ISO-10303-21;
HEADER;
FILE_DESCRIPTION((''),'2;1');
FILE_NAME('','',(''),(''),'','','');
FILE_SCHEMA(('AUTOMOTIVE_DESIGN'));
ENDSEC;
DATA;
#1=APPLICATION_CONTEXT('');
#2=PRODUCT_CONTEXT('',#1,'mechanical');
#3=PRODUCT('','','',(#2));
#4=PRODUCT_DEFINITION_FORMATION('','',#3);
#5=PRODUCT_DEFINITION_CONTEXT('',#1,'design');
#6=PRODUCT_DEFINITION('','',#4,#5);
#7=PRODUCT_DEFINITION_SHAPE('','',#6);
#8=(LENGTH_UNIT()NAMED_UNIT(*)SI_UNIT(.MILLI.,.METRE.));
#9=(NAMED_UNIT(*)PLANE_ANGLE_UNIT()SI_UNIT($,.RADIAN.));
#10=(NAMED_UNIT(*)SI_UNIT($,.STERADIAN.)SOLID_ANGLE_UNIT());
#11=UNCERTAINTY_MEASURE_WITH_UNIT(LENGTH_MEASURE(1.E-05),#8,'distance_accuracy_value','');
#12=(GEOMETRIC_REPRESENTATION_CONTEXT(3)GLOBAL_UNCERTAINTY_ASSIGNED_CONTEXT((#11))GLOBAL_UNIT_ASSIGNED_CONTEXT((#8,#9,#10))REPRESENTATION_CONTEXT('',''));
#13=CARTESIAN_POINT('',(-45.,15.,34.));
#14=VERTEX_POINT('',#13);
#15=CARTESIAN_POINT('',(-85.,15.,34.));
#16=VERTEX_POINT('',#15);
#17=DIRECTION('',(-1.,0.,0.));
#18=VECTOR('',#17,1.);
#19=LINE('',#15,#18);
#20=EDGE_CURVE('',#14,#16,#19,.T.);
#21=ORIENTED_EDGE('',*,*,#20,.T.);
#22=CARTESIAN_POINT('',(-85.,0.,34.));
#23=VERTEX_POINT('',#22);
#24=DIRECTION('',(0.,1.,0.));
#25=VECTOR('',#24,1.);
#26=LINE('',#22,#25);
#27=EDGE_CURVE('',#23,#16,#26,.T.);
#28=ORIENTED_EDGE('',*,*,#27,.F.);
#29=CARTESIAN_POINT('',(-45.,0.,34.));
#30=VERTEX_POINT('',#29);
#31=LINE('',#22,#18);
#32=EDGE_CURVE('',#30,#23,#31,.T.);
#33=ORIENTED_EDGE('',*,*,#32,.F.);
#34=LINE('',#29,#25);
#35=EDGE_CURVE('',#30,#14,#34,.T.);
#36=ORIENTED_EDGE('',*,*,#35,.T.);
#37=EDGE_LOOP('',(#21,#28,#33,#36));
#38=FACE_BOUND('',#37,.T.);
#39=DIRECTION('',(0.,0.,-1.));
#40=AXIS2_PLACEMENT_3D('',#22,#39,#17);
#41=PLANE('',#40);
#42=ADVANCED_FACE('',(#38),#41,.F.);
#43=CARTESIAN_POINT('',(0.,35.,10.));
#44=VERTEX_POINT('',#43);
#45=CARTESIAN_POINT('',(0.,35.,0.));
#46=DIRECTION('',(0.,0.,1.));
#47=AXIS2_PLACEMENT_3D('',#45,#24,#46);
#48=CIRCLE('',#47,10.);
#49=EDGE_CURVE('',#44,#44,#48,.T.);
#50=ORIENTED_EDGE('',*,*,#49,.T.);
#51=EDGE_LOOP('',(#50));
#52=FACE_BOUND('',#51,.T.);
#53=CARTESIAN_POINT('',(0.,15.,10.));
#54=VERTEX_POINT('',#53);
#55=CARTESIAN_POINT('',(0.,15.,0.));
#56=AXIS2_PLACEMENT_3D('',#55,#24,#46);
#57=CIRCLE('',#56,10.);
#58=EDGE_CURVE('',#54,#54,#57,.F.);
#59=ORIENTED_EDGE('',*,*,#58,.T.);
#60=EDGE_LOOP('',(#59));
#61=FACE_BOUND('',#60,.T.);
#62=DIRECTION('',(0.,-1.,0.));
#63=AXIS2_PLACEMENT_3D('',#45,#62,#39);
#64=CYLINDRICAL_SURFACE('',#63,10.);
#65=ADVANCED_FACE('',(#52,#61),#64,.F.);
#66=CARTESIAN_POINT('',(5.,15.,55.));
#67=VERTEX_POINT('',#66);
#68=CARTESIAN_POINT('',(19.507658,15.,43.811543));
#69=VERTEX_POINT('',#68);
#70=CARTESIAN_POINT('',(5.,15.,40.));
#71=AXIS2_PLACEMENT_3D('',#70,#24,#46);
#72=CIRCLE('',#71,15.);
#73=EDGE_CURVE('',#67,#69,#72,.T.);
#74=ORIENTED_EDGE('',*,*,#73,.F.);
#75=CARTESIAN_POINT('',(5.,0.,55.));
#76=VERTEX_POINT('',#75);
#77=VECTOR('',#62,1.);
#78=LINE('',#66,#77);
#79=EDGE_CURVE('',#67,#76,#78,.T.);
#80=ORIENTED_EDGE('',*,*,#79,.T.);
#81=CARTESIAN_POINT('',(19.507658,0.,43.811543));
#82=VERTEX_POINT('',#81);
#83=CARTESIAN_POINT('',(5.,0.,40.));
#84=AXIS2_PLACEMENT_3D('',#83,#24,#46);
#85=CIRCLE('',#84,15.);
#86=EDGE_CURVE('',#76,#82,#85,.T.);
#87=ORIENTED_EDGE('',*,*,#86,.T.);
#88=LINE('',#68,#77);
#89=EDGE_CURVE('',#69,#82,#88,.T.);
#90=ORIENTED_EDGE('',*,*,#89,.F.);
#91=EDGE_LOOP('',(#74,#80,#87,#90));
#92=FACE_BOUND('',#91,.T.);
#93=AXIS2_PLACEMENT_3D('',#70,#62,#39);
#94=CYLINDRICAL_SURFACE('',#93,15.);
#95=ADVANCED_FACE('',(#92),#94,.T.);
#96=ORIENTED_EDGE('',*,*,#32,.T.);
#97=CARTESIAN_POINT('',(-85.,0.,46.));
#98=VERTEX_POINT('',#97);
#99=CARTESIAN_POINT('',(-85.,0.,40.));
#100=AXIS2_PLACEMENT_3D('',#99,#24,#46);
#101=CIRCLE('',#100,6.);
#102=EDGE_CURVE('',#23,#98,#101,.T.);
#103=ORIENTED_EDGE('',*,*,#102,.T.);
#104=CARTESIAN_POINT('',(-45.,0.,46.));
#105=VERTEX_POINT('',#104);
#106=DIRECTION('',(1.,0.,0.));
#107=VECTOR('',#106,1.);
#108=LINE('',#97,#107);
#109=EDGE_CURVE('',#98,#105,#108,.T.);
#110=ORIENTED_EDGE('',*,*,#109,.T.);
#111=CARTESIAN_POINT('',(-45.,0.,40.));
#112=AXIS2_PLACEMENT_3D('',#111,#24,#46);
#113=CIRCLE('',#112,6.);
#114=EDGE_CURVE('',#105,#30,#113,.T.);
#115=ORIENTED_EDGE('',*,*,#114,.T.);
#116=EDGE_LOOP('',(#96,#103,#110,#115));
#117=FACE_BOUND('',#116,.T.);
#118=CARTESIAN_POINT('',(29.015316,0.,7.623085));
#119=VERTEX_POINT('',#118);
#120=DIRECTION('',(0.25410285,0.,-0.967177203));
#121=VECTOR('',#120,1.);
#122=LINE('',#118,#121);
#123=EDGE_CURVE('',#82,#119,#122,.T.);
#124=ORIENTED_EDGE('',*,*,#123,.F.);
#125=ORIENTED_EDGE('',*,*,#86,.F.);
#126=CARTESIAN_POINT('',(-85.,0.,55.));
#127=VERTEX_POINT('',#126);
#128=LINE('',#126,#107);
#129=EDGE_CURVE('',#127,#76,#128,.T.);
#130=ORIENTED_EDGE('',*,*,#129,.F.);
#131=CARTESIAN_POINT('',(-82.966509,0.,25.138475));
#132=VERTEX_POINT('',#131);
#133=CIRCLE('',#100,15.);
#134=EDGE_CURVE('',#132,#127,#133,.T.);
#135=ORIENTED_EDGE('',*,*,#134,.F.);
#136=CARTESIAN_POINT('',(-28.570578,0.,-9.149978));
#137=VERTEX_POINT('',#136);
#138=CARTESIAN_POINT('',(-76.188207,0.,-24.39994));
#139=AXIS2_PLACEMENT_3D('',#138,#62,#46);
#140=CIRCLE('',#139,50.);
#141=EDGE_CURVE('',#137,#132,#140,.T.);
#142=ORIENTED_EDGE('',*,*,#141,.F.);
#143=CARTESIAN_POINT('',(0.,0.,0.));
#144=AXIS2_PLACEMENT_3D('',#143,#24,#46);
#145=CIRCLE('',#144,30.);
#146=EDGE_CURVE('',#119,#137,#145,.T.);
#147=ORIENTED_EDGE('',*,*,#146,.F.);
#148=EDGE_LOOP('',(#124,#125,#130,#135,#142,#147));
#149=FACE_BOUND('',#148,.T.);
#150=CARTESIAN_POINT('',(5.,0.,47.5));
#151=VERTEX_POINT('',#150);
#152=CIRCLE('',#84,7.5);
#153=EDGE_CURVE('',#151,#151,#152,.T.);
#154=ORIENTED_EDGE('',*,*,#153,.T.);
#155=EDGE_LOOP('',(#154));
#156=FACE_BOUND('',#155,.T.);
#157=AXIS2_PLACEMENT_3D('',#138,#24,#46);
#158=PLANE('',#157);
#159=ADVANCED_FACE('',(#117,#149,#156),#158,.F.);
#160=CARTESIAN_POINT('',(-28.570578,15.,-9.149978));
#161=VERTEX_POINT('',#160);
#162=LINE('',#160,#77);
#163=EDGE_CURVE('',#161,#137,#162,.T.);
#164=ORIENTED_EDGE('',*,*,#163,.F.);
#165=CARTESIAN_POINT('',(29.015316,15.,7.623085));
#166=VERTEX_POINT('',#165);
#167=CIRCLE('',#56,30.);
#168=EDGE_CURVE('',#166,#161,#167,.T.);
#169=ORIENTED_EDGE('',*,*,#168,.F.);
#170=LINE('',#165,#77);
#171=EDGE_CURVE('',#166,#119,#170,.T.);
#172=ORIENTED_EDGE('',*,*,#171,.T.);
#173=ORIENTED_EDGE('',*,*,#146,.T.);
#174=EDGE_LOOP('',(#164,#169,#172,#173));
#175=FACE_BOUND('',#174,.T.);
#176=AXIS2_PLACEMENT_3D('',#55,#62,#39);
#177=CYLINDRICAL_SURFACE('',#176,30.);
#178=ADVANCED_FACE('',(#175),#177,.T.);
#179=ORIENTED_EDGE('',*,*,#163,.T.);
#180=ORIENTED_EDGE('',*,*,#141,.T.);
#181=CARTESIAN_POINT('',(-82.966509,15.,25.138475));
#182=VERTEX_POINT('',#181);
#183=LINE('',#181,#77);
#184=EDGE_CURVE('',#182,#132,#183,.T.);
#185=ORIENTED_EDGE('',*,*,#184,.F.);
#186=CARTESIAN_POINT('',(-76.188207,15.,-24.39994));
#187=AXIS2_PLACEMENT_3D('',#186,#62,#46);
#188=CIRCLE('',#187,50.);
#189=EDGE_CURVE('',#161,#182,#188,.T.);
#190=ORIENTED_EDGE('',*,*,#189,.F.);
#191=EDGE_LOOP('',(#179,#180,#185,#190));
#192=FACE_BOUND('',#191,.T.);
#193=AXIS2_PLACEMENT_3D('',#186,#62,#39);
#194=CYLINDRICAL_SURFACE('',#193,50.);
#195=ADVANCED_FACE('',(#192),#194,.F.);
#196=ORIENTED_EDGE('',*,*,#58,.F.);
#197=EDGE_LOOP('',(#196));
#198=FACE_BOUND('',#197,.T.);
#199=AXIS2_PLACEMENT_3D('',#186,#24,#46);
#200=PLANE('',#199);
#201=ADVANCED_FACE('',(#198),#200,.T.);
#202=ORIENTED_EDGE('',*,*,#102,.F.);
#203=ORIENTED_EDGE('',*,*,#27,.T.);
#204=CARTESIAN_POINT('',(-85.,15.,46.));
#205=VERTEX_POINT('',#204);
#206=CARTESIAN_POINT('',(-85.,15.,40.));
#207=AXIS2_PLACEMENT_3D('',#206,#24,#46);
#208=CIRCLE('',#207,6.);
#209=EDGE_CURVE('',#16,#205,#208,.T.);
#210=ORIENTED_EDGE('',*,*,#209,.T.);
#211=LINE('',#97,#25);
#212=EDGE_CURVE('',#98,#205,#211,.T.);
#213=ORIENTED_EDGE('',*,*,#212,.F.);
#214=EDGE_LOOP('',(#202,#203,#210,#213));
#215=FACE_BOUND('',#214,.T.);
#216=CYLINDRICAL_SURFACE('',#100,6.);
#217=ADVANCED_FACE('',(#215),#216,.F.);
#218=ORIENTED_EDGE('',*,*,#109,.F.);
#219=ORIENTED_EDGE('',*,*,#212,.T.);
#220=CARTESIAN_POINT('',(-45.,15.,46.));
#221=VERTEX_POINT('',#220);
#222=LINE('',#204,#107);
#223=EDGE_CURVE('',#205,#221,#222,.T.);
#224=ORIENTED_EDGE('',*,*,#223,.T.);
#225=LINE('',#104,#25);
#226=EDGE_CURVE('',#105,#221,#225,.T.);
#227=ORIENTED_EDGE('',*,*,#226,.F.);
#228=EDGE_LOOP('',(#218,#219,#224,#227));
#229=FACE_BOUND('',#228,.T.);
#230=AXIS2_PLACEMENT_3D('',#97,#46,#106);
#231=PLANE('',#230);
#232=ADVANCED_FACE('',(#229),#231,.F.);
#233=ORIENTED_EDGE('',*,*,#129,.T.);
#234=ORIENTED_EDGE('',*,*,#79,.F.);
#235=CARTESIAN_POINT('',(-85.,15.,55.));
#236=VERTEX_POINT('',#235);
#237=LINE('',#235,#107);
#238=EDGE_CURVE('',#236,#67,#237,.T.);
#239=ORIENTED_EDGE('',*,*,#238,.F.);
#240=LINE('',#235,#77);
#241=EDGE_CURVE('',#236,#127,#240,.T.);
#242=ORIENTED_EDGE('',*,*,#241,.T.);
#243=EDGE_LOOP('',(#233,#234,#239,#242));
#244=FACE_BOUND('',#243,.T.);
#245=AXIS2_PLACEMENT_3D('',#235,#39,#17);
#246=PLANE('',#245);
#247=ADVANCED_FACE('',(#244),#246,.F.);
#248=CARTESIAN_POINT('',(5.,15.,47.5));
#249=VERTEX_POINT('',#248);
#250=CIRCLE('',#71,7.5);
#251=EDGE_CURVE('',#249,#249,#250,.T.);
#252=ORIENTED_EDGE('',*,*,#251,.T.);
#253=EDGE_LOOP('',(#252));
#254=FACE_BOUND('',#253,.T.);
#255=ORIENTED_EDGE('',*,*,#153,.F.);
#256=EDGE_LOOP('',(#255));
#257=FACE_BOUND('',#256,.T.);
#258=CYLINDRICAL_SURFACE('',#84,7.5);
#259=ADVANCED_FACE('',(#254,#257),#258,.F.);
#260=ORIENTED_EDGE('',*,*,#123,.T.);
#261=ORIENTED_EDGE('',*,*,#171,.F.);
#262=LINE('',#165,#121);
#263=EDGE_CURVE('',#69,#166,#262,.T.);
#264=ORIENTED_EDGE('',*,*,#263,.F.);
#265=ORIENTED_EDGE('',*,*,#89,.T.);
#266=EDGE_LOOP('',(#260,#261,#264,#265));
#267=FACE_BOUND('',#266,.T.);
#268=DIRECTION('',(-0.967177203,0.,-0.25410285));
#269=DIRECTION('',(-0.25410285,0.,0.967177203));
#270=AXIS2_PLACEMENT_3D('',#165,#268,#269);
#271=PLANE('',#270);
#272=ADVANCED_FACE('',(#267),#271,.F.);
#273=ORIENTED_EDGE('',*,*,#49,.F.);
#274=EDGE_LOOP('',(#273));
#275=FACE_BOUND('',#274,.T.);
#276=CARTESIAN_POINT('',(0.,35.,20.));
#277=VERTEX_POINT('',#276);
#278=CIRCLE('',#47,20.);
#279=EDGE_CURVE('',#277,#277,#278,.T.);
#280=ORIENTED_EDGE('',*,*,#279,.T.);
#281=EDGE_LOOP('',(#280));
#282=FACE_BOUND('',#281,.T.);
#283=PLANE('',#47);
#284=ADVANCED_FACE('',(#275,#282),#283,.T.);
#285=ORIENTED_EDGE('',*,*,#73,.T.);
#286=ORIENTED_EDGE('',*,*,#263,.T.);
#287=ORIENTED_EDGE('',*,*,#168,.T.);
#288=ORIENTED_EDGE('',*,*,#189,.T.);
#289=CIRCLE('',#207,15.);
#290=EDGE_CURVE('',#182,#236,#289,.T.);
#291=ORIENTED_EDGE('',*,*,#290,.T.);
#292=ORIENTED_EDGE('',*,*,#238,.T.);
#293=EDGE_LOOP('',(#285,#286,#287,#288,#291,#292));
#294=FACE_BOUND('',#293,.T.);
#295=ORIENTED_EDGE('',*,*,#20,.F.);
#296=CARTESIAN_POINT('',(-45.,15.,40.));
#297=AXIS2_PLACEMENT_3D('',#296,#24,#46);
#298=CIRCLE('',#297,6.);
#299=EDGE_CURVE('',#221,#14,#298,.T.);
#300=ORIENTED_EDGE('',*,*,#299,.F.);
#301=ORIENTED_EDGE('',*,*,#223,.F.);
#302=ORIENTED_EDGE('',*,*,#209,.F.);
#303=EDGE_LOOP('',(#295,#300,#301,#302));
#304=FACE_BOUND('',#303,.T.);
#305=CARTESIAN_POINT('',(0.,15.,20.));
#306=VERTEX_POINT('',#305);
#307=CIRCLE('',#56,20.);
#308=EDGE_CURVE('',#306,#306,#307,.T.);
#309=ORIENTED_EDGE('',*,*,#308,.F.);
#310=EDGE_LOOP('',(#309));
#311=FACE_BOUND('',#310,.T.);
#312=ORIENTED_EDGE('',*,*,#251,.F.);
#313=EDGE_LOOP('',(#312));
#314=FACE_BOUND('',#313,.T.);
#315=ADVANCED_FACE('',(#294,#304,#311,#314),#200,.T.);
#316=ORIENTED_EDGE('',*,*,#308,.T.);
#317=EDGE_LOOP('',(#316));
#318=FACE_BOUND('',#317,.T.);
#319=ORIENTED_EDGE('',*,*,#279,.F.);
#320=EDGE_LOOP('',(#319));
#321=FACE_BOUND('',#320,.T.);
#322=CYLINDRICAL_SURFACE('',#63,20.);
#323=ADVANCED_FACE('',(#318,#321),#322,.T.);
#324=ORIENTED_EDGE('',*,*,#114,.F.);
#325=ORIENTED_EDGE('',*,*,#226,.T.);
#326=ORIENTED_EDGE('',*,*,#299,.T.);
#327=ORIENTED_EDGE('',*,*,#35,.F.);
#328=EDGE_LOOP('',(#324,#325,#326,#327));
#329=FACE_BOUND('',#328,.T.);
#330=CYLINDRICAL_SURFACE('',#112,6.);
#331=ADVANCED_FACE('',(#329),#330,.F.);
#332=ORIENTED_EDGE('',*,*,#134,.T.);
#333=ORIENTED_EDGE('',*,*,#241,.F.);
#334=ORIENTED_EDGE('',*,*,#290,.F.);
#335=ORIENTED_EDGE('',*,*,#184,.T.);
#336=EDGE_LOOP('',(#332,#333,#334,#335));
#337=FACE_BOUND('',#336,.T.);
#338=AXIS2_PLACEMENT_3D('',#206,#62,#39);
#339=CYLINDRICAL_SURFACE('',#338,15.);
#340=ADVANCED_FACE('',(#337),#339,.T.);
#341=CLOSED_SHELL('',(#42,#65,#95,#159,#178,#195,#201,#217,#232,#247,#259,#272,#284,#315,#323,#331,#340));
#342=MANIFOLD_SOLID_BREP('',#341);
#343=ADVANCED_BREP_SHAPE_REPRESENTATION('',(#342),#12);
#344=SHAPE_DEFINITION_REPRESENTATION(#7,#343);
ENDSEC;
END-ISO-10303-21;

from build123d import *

# Parameters (mm, degrees)
BOSS_EXTRUDE1_DEPTH = 15
SKETCH2_R           = 20
SKETCH2_R_2         = 10
BOSS_EXTRUDE2_DEPTH = 20
SKETCH5_R           = 7.5
CUT_EXTRUDE1_DEPTH  = 116.866302263
CUT_EXTRUDE2_DEPTH  = 116.866302263


with BuildPart() as part:
    # Sketch1 → Boss-Extrude1 (new body)
    with BuildSketch(Plane(origin=(0, 0, 0), x_dir=(1, 0, 0), z_dir=(0, 1, 0))):
        with BuildLine():
            Line((-85, -55), (5, -55))
            ThreePointArc((5, -55), (14.16042736, -51.877986807), (19.507658043, -43.811542745))
            Line((19.507658043, -43.811542745), (29.015316087, -7.623085489))
            ThreePointArc((29.015316087, -7.623085489), (8.389479092, 28.803066513), (-28.570577696, 9.149977603))
            ThreePointArc((-28.570577696, 9.149977603), (-49.525739839, -17.897965522), (-82.966509351, -25.138475321))
            ThreePointArc((-82.966509351, -25.138475321), (-99.965341128, -38.980899952), (-85, -55))
        make_face()
    extrude(amount=BOSS_EXTRUDE1_DEPTH)

    # Sketch2 → Boss-Extrude2 (add)
    with BuildSketch(Plane(origin=(0, 15, 0), x_dir=(1, 0, 0), z_dir=(0, 1, 0))):
        Circle(SKETCH2_R)
        Circle(SKETCH2_R_2, mode=Mode.SUBTRACT)
    extrude(amount=BOSS_EXTRUDE2_DEPTH)

    # Sketch5 → Cut-Extrude1 (cut, through all)
    with BuildSketch(Plane(origin=(0, 15, 0), x_dir=(1, 0, 0), z_dir=(0, 1, 0))):
        with Locations((5, -40)):
            Circle(SKETCH5_R)
    extrude(amount=-CUT_EXTRUDE1_DEPTH, mode=Mode.SUBTRACT)

    # Sketch6 → Cut-Extrude2 (cut, through all)
    with BuildSketch(Plane(origin=(0, 15, 0), x_dir=(1, 0, 0), z_dir=(0, 1, 0))):
        with BuildLine():
            Line((-85, -34), (-45, -34))
            ThreePointArc((-45, -34), (-39, -40), (-45, -46))
            Line((-45, -46), (-85, -46))
            ThreePointArc((-85, -46), (-91, -40), (-85, -34))
        make_face()
    extrude(amount=-CUT_EXTRUDE2_DEPTH, mode=Mode.SUBTRACT)


solid = part.part
